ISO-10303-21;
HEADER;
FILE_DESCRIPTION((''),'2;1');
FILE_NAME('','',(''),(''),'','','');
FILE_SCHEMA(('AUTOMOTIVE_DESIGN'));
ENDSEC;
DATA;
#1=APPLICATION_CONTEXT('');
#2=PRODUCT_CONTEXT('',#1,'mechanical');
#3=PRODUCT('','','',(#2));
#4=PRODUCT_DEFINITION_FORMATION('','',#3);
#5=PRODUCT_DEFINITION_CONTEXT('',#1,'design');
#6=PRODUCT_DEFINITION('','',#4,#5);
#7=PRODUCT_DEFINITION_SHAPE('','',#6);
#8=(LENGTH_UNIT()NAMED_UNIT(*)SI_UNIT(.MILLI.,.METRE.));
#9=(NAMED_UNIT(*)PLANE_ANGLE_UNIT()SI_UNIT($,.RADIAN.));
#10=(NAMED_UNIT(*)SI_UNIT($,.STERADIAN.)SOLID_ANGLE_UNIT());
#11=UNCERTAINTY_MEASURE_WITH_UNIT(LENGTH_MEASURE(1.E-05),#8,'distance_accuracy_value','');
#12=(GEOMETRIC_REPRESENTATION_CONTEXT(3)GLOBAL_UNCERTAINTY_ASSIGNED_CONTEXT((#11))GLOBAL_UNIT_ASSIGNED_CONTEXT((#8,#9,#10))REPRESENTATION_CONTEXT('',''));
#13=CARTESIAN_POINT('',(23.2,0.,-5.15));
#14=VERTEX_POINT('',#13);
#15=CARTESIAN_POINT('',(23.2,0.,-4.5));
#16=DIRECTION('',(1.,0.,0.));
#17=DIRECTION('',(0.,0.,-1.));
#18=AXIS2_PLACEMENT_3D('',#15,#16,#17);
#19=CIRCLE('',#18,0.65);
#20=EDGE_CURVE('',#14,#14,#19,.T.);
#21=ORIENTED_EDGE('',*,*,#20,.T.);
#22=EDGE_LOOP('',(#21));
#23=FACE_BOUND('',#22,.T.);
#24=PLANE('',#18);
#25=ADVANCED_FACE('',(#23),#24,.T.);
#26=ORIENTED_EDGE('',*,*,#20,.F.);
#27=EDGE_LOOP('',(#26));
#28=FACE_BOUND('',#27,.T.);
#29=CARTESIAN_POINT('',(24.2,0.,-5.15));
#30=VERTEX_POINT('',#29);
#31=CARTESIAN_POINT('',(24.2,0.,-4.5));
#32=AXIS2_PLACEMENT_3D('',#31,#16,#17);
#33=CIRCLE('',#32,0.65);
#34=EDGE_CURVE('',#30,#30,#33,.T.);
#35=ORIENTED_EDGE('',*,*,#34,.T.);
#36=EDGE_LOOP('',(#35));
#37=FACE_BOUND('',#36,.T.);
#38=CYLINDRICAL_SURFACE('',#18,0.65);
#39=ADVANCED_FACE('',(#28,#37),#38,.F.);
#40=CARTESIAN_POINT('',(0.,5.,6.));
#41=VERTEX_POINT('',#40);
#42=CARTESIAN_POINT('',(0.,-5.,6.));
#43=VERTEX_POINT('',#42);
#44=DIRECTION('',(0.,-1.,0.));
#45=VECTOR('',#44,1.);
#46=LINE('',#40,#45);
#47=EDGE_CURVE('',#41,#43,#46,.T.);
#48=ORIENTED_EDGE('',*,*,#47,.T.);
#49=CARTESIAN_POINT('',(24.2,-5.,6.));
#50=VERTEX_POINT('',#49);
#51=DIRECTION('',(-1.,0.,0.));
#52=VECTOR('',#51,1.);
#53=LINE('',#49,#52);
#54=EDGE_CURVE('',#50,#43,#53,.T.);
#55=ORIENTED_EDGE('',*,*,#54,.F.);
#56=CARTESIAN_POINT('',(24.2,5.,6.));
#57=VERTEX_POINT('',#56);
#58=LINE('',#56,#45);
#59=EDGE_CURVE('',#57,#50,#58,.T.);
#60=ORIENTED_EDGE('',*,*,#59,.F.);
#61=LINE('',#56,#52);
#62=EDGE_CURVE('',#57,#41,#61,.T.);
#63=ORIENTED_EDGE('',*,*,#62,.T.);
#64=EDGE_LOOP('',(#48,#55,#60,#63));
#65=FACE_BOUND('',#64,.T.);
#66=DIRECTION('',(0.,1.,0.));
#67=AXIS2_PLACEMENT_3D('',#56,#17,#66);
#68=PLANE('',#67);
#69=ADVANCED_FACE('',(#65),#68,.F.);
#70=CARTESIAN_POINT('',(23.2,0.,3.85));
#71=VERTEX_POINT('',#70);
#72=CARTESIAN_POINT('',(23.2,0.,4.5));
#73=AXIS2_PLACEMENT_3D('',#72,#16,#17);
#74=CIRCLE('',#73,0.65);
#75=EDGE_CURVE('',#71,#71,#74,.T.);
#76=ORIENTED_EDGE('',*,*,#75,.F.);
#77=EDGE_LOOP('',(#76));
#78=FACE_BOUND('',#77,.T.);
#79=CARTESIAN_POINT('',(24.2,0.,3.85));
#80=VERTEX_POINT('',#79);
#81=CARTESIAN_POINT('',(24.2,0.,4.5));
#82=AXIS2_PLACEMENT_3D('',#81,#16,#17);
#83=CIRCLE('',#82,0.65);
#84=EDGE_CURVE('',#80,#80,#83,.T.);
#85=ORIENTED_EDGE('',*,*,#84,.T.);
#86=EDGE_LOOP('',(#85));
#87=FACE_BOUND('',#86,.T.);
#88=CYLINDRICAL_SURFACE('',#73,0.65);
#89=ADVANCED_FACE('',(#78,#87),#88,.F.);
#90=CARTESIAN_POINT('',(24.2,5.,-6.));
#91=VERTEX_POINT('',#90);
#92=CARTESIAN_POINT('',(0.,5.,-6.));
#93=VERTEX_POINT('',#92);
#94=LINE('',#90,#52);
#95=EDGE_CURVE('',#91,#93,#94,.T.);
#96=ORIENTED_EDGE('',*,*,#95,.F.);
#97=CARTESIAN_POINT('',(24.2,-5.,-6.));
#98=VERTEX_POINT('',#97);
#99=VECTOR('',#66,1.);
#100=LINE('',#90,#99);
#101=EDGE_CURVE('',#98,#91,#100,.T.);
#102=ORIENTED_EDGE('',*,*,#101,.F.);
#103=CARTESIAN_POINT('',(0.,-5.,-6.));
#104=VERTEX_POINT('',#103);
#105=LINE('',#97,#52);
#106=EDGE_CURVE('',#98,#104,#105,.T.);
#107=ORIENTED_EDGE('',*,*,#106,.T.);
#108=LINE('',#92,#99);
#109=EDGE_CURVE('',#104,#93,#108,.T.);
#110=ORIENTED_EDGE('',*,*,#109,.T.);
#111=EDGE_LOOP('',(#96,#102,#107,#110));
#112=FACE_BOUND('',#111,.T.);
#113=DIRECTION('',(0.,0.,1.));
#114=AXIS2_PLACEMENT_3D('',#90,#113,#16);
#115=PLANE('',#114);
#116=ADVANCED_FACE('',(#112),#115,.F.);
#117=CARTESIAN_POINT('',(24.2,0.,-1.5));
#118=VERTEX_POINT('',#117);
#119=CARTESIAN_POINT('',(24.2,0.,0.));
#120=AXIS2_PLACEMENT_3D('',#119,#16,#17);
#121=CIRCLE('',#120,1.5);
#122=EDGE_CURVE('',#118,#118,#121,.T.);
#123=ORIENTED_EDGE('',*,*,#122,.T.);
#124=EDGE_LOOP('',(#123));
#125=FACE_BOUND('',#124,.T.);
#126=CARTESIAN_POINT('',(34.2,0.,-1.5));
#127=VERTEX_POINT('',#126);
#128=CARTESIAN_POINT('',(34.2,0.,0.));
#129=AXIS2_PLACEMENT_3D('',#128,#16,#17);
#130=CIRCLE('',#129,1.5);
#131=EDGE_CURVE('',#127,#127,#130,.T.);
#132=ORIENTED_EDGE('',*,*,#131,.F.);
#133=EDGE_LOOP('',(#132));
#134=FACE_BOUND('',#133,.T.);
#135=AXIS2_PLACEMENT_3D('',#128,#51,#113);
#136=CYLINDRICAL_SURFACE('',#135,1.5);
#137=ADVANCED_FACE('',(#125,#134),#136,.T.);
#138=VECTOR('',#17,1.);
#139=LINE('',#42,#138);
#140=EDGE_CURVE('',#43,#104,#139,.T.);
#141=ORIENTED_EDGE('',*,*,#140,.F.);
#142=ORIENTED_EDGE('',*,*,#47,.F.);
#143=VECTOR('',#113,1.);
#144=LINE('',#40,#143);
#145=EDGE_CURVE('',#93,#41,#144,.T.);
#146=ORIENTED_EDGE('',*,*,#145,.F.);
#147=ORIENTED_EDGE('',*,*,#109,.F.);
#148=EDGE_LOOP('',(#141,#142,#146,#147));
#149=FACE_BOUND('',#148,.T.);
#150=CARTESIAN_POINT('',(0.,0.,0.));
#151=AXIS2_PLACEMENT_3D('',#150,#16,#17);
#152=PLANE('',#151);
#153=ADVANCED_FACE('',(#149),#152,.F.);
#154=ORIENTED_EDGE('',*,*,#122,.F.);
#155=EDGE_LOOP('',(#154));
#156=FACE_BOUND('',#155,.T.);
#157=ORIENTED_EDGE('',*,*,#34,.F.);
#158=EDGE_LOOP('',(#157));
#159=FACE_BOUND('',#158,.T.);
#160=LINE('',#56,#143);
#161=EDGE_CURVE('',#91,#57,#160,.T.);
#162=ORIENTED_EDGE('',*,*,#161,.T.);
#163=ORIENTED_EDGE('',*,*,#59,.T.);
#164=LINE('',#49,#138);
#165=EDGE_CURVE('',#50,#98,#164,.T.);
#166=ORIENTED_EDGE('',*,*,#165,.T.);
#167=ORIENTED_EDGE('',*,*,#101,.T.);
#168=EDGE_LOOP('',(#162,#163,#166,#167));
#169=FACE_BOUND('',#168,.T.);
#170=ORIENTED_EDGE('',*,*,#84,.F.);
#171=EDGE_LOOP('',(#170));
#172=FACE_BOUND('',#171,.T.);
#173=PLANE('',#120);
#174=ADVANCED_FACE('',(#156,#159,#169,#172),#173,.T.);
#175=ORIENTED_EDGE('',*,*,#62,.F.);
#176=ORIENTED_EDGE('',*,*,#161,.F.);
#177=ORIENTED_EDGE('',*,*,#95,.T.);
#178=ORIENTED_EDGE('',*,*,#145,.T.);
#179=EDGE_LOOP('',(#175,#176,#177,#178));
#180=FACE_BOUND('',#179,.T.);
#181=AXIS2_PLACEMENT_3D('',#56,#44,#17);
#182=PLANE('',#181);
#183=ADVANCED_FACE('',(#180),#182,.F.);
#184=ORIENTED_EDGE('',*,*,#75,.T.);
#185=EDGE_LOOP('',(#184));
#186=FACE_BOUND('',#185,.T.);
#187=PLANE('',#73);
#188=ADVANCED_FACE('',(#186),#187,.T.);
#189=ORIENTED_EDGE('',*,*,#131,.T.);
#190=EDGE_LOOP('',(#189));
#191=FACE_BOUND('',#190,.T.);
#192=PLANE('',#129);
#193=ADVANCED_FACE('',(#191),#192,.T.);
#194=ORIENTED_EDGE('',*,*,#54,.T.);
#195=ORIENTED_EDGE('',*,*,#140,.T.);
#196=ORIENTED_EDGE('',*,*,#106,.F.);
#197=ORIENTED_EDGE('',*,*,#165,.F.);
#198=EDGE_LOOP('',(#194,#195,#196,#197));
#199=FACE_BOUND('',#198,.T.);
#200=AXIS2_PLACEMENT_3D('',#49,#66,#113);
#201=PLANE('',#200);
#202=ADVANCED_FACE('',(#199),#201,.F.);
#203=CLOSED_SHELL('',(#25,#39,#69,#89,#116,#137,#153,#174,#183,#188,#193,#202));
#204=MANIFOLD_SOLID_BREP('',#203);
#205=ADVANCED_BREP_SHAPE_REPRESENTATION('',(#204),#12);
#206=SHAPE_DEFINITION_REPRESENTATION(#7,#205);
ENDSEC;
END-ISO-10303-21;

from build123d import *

# Parameters (mm, degrees)
SKETCH1_W           = 12
SKETCH1_H           = 10
BOSS_EXTRUDE1_DEPTH = 24.2
SKETCH2_R           = 1.5
BOSS_EXTRUDE2_DEPTH = 10
SKETCH3_R           = 0.65
CUT_EXTRUDE1_DEPTH  = 1


with BuildPart() as part:
    # Sketch1 → Boss-Extrude1 (new body)
    with BuildSketch(Plane(origin=(0, 0, 0), x_dir=(0, 0, -1), z_dir=(1, 0, 0))):
        Rectangle(SKETCH1_W, SKETCH1_H)
    extrude(amount=BOSS_EXTRUDE1_DEPTH)

    # Sketch2 → Boss-Extrude2 (add)
    with BuildSketch(Plane(origin=(24.2, 0, 0), x_dir=(0, 0, -1), z_dir=(1, 0, 0))):
        Circle(SKETCH2_R)
    extrude(amount=BOSS_EXTRUDE2_DEPTH)

    # Sketch3 → Cut-Extrude1 (cut)
    with BuildSketch(Plane(origin=(24.2, 0, 0), x_dir=(0, 0, -1), z_dir=(1, 0, 0))):
        with Locations((-4.5, 0)):
            Circle(SKETCH3_R)
        with Locations((4.5, 0)):
            Circle(SKETCH3_R)
    extrude(amount=-CUT_EXTRUDE1_DEPTH, mode=Mode.SUBTRACT)


solid = part.part
